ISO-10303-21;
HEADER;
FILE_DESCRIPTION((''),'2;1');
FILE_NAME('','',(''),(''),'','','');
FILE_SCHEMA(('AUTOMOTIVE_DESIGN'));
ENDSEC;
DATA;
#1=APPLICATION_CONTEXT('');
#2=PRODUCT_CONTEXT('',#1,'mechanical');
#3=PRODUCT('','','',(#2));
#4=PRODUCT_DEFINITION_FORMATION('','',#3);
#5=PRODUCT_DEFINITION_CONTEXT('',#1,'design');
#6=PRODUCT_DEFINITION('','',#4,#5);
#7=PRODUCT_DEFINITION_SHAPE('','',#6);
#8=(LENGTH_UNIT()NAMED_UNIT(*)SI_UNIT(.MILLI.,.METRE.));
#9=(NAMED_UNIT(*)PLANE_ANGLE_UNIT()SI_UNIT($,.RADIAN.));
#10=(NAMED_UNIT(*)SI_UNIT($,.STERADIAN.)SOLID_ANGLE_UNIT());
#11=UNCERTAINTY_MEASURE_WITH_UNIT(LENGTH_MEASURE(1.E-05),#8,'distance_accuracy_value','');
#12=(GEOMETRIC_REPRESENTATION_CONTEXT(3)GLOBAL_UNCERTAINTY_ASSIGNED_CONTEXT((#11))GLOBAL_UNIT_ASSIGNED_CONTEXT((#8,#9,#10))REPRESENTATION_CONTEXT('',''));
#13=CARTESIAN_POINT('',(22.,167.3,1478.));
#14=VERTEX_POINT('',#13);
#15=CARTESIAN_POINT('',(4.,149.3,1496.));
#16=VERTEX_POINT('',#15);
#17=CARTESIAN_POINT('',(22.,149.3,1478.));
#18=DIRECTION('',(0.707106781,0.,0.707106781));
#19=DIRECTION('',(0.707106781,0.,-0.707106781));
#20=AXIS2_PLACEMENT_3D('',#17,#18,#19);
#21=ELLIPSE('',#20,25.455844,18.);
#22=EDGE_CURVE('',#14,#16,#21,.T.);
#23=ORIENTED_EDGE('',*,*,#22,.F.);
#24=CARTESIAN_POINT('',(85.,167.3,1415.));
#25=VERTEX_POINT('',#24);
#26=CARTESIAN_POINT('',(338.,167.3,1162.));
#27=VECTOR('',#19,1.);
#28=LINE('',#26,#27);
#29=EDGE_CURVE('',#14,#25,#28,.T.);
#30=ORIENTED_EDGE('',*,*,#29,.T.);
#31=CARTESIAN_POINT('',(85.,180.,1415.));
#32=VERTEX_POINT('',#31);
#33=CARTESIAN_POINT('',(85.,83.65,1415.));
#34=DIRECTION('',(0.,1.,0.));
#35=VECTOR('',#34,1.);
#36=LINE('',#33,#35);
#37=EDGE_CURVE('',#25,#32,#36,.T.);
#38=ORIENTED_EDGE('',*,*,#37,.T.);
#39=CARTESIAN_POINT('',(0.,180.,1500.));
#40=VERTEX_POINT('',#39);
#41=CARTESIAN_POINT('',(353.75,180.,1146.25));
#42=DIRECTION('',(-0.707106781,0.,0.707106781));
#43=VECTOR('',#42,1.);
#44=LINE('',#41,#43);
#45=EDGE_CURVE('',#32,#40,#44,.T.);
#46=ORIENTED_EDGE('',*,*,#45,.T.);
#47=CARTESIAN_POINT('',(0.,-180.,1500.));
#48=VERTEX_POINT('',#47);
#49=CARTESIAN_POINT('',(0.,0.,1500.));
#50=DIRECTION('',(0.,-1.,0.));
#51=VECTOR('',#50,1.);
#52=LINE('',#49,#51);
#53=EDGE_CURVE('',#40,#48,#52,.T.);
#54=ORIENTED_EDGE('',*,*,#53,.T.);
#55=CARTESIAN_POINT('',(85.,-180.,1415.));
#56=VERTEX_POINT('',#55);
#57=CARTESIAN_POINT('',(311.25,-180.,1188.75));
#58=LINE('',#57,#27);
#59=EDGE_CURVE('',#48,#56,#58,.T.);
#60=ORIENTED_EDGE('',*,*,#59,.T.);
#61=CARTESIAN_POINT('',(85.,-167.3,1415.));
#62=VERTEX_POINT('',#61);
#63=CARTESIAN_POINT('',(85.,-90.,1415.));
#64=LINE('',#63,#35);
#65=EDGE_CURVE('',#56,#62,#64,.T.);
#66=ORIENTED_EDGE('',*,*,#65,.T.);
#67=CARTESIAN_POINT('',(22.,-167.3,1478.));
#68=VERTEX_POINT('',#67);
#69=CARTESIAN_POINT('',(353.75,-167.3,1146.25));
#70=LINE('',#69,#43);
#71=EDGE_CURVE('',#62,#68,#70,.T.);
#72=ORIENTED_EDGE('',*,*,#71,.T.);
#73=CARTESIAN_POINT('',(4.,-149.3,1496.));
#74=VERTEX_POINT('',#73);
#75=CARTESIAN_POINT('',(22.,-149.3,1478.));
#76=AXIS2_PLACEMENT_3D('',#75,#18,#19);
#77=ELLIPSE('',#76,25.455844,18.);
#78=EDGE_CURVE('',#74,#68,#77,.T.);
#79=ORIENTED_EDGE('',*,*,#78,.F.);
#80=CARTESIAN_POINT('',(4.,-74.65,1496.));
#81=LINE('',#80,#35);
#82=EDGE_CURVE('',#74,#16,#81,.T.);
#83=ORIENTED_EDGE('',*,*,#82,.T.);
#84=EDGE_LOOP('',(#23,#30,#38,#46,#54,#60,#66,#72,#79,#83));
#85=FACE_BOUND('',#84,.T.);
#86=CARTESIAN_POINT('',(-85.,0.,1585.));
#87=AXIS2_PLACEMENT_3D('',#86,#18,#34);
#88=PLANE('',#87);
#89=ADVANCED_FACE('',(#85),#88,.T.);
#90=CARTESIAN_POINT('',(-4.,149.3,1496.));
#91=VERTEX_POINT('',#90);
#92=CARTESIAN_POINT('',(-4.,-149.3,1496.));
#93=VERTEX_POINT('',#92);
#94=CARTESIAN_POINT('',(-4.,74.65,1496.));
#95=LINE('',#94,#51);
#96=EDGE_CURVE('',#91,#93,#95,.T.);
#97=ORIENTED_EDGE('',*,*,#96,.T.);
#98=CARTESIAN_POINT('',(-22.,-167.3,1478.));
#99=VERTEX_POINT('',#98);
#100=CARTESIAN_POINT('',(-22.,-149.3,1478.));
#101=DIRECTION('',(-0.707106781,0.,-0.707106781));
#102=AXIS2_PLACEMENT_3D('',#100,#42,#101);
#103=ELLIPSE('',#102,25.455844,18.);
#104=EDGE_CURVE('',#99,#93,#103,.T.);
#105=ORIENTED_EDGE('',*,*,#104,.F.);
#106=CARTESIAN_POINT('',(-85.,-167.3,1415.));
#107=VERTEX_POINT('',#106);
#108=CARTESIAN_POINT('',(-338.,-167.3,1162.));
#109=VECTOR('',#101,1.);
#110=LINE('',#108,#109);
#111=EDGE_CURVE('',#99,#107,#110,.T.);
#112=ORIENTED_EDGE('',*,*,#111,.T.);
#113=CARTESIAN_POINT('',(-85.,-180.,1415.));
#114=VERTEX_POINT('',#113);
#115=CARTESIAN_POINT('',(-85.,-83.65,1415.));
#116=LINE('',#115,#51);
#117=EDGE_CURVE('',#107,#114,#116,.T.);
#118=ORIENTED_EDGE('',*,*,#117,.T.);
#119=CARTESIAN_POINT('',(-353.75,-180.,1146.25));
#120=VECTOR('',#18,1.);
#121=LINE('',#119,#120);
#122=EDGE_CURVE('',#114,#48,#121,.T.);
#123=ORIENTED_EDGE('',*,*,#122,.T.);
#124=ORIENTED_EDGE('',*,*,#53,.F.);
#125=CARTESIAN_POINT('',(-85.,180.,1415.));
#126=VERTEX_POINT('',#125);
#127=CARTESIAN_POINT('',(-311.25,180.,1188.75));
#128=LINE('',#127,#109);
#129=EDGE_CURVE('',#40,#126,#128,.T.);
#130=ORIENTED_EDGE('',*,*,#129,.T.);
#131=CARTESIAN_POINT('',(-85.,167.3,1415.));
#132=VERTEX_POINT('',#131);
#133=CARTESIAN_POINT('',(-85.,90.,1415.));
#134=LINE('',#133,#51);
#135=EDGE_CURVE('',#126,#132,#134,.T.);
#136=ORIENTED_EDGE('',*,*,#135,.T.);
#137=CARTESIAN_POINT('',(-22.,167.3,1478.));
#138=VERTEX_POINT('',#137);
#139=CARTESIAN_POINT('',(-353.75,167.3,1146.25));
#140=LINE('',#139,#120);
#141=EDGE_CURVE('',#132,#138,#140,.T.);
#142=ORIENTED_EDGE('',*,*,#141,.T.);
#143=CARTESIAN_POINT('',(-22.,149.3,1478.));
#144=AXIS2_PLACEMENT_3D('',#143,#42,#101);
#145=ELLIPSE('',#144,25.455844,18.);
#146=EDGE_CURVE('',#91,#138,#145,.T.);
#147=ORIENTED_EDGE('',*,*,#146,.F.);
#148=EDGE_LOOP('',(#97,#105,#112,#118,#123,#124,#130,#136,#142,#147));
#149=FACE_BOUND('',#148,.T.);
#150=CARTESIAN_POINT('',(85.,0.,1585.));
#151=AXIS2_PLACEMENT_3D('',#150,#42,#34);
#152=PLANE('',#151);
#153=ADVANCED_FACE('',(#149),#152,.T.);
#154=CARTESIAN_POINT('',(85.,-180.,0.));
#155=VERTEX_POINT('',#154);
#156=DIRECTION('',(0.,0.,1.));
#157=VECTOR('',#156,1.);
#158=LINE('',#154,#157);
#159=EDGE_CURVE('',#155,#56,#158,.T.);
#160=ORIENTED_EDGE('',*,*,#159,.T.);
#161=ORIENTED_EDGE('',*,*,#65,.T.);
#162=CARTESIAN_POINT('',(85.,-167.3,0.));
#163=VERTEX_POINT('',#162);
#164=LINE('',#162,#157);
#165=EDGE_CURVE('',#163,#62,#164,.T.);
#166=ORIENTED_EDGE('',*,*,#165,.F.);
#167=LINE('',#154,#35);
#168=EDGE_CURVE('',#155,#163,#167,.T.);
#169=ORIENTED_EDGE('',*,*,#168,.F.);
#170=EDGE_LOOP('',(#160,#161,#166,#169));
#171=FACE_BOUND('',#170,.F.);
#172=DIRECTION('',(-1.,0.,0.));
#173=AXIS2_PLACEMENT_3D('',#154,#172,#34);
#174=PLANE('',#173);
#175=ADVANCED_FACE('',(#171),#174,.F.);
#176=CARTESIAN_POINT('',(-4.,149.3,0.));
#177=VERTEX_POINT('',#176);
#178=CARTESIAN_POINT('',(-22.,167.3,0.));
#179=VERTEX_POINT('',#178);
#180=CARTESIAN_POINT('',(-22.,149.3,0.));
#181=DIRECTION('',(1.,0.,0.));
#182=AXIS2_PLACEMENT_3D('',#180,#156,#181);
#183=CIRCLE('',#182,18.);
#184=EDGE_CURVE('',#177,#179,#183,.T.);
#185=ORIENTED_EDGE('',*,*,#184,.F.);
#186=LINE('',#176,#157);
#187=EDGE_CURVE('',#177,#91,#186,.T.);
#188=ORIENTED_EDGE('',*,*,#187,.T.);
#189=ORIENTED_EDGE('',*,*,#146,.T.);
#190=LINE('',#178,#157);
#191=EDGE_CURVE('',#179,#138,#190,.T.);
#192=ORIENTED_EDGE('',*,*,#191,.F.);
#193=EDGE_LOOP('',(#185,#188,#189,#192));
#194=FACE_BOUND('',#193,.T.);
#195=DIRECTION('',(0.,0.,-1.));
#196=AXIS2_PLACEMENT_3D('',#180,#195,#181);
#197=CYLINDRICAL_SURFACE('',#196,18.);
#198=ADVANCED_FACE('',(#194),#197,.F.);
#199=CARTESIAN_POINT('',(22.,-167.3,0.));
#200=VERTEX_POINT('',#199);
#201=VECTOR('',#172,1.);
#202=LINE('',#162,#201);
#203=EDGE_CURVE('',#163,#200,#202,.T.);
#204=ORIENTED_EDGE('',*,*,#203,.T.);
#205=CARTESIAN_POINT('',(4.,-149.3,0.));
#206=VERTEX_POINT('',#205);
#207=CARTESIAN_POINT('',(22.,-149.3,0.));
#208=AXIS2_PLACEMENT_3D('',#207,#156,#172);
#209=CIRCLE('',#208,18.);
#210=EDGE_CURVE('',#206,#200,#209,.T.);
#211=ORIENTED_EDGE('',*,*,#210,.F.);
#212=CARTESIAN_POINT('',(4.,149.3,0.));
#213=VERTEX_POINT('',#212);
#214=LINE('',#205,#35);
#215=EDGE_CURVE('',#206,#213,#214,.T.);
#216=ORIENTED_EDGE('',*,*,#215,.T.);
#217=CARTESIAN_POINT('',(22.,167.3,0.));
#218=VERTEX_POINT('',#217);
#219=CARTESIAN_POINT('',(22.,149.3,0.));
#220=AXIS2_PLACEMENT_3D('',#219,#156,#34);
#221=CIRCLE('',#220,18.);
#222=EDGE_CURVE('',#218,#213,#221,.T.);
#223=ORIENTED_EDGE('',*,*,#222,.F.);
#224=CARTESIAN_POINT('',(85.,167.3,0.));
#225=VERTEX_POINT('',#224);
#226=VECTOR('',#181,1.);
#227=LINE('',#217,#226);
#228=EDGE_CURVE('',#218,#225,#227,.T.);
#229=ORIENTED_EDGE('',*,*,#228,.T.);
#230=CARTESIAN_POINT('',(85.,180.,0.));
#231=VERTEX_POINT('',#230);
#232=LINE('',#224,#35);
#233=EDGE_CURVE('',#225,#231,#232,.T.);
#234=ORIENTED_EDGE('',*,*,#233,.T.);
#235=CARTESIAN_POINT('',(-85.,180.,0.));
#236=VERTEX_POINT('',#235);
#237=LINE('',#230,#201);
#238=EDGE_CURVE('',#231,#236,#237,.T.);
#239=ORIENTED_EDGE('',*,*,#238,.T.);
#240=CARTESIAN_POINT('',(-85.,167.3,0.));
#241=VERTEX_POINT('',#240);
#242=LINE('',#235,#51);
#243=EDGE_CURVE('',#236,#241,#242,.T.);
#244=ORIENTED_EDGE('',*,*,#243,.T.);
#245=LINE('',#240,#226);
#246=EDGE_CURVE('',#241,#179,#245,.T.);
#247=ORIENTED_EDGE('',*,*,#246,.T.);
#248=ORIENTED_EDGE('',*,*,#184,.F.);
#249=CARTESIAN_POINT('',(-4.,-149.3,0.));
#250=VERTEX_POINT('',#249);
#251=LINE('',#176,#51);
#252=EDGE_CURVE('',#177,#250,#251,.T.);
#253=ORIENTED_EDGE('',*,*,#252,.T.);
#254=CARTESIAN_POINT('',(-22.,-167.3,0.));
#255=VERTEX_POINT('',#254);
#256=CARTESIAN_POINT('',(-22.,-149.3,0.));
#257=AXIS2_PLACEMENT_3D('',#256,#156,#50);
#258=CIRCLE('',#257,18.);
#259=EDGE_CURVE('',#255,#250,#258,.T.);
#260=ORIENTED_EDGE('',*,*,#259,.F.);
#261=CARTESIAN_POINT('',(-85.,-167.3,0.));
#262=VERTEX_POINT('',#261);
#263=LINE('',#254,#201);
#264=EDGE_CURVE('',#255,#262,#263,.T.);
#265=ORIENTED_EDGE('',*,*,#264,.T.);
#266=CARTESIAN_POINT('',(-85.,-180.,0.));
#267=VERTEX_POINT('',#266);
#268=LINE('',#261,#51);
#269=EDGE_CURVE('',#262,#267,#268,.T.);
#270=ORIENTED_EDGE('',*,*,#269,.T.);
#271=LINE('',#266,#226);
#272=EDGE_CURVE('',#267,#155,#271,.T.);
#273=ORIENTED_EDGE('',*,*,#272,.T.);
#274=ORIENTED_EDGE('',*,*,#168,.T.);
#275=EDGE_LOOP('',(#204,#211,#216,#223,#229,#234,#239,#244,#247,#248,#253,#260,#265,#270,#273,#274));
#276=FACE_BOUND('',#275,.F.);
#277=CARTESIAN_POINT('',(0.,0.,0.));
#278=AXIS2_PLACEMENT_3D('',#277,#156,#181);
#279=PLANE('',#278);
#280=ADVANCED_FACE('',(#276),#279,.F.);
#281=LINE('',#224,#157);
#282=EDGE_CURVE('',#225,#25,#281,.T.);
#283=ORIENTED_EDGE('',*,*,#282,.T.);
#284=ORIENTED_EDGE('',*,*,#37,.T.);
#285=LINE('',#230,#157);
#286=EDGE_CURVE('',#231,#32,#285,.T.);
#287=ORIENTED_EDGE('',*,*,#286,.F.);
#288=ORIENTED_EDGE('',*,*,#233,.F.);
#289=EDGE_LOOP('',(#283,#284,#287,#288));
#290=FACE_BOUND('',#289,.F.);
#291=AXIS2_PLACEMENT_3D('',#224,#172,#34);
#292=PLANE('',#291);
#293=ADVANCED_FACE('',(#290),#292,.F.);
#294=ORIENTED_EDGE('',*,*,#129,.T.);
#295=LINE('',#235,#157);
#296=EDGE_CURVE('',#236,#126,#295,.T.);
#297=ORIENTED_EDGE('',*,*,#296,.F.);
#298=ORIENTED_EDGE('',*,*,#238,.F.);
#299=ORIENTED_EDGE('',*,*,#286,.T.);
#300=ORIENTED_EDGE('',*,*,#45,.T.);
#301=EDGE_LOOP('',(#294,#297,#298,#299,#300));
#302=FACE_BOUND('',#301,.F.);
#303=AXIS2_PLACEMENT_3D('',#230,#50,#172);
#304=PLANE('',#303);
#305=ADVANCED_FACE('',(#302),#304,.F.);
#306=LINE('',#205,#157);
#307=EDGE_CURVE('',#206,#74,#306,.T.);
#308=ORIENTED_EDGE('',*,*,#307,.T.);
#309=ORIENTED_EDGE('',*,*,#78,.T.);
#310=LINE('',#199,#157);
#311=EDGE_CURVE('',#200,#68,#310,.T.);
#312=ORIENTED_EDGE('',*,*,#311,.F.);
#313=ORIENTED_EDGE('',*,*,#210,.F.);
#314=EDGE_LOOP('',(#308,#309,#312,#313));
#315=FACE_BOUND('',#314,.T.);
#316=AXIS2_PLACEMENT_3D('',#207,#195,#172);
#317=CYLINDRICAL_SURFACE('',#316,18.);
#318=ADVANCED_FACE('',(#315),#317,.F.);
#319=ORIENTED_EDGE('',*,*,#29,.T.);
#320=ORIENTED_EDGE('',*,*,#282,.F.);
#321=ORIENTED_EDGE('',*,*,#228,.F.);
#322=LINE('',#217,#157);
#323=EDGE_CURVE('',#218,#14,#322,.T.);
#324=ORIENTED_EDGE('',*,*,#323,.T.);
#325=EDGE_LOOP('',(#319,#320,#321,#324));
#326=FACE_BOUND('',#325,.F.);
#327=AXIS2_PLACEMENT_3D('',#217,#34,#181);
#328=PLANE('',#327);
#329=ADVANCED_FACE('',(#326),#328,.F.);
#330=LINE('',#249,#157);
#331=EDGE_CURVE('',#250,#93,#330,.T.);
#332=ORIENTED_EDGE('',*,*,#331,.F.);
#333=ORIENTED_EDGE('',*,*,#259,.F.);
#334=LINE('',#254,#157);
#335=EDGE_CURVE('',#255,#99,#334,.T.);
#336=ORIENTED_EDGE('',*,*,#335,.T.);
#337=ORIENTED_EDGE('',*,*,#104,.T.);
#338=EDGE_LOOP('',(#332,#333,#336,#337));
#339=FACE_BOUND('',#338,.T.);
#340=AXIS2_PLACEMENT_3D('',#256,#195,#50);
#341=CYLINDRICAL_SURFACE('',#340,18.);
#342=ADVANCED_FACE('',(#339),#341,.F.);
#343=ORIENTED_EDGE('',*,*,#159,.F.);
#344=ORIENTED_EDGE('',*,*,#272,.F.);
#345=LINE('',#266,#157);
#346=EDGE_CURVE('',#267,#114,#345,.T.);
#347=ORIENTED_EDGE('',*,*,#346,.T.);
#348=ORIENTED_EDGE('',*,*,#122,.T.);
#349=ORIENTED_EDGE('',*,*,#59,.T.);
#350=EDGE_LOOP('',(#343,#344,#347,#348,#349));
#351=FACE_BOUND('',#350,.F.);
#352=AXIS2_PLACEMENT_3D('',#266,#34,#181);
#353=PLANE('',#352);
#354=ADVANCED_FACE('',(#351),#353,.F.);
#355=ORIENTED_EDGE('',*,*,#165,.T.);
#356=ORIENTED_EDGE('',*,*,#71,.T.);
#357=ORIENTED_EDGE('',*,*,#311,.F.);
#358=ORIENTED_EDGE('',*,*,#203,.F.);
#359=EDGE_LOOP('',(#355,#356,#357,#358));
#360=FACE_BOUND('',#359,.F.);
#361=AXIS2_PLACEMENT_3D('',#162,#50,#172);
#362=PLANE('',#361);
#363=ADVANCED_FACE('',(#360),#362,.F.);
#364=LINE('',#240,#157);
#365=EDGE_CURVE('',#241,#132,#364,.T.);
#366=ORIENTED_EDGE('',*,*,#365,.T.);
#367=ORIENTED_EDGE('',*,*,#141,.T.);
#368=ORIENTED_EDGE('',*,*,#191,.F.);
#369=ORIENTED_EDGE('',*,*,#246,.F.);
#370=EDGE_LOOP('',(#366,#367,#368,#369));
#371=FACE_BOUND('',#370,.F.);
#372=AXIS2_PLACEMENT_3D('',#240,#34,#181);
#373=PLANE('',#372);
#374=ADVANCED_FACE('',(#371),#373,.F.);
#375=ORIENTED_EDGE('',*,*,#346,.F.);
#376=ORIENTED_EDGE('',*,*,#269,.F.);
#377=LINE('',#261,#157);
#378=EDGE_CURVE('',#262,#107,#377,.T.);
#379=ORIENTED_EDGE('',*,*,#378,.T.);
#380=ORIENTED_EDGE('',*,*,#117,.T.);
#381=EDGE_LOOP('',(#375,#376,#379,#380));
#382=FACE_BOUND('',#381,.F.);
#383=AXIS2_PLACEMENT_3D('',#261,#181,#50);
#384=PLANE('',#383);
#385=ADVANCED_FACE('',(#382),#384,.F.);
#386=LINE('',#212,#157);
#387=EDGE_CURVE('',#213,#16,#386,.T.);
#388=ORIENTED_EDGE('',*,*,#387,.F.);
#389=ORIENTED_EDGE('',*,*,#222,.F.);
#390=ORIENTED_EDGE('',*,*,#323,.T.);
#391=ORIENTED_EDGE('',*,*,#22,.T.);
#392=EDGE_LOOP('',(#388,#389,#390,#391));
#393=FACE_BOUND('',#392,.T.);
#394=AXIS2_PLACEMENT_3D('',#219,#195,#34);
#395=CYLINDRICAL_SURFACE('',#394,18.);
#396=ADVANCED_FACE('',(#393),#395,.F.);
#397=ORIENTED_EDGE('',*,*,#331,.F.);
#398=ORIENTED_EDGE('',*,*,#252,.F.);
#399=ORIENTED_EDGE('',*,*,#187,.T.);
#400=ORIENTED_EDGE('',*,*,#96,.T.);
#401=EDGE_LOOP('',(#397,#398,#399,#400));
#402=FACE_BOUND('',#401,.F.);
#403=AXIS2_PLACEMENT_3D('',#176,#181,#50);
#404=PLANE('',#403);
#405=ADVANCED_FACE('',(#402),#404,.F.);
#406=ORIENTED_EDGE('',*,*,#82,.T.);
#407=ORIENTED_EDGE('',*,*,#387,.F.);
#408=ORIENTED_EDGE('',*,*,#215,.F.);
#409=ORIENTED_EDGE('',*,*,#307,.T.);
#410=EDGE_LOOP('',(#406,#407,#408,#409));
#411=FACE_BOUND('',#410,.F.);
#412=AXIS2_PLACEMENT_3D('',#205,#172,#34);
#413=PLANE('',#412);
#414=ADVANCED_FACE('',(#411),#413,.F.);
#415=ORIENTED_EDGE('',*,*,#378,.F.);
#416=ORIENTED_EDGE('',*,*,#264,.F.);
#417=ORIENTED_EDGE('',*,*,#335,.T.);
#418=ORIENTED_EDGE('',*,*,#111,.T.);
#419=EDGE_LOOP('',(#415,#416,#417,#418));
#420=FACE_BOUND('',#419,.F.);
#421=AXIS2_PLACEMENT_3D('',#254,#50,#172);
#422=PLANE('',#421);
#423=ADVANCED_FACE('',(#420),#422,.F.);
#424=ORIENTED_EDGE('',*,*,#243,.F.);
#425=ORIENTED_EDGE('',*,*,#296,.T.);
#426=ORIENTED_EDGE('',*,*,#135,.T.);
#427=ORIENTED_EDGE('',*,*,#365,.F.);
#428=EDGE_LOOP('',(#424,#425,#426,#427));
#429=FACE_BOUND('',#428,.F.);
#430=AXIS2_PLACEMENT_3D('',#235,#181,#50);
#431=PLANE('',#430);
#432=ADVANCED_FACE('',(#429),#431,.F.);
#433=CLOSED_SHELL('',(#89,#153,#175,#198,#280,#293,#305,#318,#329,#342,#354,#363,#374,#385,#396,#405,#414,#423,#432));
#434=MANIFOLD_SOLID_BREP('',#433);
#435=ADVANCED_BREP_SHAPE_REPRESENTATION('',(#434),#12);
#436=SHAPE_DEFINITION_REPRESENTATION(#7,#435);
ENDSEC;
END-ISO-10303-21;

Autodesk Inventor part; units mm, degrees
ref_plane "Start Plane" through (0, 0, 0) normal (0, 0, 1) x (1, 0, 0)
ref_plane "End Plane" through (0, 0, 1500) normal (0, 0, 1) x (1, 0, 0)
sketch "Sketch" plane through (0, 0, 0) normal (0, 0, 1) x (1, 0, 0)
  line L0 (-85, 167.3) -> (-22, 167.3)
  line L1 (-85, 180) -> (-85, 167.3)
  line L2 (85, 180) -> (-85, 180)
  line L3 (85, 167.3) -> (85, 180)
  line L4 (22, 167.3) -> (85, 167.3)
  line L5 (4, -149.3) -> (4, 149.3)
  line L6 (85, -167.3) -> (22, -167.3)
  line L7 (85, -180) -> (85, -167.3)
  line L8 (-85, -167.3) -> (-85, -180)
  line L9 (-22, -167.3) -> (-85, -167.3)
  line L10 (-4, 149.3) -> (-4, -149.3)
  line L11 (0, -252) -> (0, 252) construction
  line L12 (-4, -167.3) -> (4, -167.3) construction
  arc A0 (-22, -167.3) -> (-4, -149.3) centre (-22, -149.3) ccw
  arc A1 (-4, 149.3) -> (-22, 167.3) centre (-22, 149.3) ccw
  arc A2 (22, 167.3) -> (4, 149.3) centre (22, 149.3) ccw
  arc A3 (4, -149.3) -> (22, -167.3) centre (22, -149.3) ccw
  line L13 (-119, 0) -> (119, 0) construction
  line L14 (-85, -180) -> (85, -180)
  point P0 (-4, 167.3)
  point P1 (4, 167.3)
  point P2 (0, 0)
  point P3 (0, -167.3)
  point P4 (0, 0)
  dimension "d1" = 360
  dimension "d3" = 12.7
  dimension "d5" = 8
  dimension "d7" = 170
  dimension "d13" = 18
  dimension "d14" = 180
  dimension "d15" = 85
extrude "Body" add sketch "Sketch" along normal up to surface (1500 mm away) from surface at 0
sketch "Sketch3" plane through (0, 0, 0) normal (0, 0, 1) x (1, 0, 0)
  line L0 (0, 0) -> (10, 0)
ref_plane "Work Plane3" through (0, 0, 0) normal (0, -1, 0) x (1, 0, 0)
ref_plane "Work Plane4" through (85, 0, 1585) normal (-0.7071, 0, 0.7071) x (0.7071, 0, 0.7071)
split "Split1" plane through (85, 0, 1585) removes the side toward (-0.7071, 0, 0.7071)
ref_plane "Work Plane5" through (-85, 0, 1585) normal (0.7071, 0, 0.7071) x (0.7071, 0, -0.7071)
split "Split2" plane through (-85, 0, 1585) removes the side toward (0.7071, 0, 0.7071)
sketch "Sketch4" plane through (0, 0, 0) normal (0, -1, 0) x (1, 0, 0)
  line L0 (-2, 0) -> (12, 0) projected
  line L1 (-2, 1500) -> (12, 1500) projected
  dimension "d19" = 1500
equation "\"d1\" = ParH"
equation "\"d3\" = t2"
equation "\"d5\" = t1"
equation "\"d7\" = b"
equation "\"d13\" = R1"
equation "\"d14\" = 0.5 * d1"
equation "\"d15\" = 0.5 * d7"
equation "\"d8\" = G_L"
equation "\"b\" = 170"
equation "\"ParH\" = 360"
equation "\"R1\" = 18"
equation "\"G_L\" = d19"
equation "\"t1\" = 8"
equation "\"t2\" = 12.7"
equation "\"G_OFFSET_START\" = 0"
equation "\"G_OFFSET_END\" = 0"
properties part number "DIN 1025 - IPE 360-1500" material "Steel, Mild"
